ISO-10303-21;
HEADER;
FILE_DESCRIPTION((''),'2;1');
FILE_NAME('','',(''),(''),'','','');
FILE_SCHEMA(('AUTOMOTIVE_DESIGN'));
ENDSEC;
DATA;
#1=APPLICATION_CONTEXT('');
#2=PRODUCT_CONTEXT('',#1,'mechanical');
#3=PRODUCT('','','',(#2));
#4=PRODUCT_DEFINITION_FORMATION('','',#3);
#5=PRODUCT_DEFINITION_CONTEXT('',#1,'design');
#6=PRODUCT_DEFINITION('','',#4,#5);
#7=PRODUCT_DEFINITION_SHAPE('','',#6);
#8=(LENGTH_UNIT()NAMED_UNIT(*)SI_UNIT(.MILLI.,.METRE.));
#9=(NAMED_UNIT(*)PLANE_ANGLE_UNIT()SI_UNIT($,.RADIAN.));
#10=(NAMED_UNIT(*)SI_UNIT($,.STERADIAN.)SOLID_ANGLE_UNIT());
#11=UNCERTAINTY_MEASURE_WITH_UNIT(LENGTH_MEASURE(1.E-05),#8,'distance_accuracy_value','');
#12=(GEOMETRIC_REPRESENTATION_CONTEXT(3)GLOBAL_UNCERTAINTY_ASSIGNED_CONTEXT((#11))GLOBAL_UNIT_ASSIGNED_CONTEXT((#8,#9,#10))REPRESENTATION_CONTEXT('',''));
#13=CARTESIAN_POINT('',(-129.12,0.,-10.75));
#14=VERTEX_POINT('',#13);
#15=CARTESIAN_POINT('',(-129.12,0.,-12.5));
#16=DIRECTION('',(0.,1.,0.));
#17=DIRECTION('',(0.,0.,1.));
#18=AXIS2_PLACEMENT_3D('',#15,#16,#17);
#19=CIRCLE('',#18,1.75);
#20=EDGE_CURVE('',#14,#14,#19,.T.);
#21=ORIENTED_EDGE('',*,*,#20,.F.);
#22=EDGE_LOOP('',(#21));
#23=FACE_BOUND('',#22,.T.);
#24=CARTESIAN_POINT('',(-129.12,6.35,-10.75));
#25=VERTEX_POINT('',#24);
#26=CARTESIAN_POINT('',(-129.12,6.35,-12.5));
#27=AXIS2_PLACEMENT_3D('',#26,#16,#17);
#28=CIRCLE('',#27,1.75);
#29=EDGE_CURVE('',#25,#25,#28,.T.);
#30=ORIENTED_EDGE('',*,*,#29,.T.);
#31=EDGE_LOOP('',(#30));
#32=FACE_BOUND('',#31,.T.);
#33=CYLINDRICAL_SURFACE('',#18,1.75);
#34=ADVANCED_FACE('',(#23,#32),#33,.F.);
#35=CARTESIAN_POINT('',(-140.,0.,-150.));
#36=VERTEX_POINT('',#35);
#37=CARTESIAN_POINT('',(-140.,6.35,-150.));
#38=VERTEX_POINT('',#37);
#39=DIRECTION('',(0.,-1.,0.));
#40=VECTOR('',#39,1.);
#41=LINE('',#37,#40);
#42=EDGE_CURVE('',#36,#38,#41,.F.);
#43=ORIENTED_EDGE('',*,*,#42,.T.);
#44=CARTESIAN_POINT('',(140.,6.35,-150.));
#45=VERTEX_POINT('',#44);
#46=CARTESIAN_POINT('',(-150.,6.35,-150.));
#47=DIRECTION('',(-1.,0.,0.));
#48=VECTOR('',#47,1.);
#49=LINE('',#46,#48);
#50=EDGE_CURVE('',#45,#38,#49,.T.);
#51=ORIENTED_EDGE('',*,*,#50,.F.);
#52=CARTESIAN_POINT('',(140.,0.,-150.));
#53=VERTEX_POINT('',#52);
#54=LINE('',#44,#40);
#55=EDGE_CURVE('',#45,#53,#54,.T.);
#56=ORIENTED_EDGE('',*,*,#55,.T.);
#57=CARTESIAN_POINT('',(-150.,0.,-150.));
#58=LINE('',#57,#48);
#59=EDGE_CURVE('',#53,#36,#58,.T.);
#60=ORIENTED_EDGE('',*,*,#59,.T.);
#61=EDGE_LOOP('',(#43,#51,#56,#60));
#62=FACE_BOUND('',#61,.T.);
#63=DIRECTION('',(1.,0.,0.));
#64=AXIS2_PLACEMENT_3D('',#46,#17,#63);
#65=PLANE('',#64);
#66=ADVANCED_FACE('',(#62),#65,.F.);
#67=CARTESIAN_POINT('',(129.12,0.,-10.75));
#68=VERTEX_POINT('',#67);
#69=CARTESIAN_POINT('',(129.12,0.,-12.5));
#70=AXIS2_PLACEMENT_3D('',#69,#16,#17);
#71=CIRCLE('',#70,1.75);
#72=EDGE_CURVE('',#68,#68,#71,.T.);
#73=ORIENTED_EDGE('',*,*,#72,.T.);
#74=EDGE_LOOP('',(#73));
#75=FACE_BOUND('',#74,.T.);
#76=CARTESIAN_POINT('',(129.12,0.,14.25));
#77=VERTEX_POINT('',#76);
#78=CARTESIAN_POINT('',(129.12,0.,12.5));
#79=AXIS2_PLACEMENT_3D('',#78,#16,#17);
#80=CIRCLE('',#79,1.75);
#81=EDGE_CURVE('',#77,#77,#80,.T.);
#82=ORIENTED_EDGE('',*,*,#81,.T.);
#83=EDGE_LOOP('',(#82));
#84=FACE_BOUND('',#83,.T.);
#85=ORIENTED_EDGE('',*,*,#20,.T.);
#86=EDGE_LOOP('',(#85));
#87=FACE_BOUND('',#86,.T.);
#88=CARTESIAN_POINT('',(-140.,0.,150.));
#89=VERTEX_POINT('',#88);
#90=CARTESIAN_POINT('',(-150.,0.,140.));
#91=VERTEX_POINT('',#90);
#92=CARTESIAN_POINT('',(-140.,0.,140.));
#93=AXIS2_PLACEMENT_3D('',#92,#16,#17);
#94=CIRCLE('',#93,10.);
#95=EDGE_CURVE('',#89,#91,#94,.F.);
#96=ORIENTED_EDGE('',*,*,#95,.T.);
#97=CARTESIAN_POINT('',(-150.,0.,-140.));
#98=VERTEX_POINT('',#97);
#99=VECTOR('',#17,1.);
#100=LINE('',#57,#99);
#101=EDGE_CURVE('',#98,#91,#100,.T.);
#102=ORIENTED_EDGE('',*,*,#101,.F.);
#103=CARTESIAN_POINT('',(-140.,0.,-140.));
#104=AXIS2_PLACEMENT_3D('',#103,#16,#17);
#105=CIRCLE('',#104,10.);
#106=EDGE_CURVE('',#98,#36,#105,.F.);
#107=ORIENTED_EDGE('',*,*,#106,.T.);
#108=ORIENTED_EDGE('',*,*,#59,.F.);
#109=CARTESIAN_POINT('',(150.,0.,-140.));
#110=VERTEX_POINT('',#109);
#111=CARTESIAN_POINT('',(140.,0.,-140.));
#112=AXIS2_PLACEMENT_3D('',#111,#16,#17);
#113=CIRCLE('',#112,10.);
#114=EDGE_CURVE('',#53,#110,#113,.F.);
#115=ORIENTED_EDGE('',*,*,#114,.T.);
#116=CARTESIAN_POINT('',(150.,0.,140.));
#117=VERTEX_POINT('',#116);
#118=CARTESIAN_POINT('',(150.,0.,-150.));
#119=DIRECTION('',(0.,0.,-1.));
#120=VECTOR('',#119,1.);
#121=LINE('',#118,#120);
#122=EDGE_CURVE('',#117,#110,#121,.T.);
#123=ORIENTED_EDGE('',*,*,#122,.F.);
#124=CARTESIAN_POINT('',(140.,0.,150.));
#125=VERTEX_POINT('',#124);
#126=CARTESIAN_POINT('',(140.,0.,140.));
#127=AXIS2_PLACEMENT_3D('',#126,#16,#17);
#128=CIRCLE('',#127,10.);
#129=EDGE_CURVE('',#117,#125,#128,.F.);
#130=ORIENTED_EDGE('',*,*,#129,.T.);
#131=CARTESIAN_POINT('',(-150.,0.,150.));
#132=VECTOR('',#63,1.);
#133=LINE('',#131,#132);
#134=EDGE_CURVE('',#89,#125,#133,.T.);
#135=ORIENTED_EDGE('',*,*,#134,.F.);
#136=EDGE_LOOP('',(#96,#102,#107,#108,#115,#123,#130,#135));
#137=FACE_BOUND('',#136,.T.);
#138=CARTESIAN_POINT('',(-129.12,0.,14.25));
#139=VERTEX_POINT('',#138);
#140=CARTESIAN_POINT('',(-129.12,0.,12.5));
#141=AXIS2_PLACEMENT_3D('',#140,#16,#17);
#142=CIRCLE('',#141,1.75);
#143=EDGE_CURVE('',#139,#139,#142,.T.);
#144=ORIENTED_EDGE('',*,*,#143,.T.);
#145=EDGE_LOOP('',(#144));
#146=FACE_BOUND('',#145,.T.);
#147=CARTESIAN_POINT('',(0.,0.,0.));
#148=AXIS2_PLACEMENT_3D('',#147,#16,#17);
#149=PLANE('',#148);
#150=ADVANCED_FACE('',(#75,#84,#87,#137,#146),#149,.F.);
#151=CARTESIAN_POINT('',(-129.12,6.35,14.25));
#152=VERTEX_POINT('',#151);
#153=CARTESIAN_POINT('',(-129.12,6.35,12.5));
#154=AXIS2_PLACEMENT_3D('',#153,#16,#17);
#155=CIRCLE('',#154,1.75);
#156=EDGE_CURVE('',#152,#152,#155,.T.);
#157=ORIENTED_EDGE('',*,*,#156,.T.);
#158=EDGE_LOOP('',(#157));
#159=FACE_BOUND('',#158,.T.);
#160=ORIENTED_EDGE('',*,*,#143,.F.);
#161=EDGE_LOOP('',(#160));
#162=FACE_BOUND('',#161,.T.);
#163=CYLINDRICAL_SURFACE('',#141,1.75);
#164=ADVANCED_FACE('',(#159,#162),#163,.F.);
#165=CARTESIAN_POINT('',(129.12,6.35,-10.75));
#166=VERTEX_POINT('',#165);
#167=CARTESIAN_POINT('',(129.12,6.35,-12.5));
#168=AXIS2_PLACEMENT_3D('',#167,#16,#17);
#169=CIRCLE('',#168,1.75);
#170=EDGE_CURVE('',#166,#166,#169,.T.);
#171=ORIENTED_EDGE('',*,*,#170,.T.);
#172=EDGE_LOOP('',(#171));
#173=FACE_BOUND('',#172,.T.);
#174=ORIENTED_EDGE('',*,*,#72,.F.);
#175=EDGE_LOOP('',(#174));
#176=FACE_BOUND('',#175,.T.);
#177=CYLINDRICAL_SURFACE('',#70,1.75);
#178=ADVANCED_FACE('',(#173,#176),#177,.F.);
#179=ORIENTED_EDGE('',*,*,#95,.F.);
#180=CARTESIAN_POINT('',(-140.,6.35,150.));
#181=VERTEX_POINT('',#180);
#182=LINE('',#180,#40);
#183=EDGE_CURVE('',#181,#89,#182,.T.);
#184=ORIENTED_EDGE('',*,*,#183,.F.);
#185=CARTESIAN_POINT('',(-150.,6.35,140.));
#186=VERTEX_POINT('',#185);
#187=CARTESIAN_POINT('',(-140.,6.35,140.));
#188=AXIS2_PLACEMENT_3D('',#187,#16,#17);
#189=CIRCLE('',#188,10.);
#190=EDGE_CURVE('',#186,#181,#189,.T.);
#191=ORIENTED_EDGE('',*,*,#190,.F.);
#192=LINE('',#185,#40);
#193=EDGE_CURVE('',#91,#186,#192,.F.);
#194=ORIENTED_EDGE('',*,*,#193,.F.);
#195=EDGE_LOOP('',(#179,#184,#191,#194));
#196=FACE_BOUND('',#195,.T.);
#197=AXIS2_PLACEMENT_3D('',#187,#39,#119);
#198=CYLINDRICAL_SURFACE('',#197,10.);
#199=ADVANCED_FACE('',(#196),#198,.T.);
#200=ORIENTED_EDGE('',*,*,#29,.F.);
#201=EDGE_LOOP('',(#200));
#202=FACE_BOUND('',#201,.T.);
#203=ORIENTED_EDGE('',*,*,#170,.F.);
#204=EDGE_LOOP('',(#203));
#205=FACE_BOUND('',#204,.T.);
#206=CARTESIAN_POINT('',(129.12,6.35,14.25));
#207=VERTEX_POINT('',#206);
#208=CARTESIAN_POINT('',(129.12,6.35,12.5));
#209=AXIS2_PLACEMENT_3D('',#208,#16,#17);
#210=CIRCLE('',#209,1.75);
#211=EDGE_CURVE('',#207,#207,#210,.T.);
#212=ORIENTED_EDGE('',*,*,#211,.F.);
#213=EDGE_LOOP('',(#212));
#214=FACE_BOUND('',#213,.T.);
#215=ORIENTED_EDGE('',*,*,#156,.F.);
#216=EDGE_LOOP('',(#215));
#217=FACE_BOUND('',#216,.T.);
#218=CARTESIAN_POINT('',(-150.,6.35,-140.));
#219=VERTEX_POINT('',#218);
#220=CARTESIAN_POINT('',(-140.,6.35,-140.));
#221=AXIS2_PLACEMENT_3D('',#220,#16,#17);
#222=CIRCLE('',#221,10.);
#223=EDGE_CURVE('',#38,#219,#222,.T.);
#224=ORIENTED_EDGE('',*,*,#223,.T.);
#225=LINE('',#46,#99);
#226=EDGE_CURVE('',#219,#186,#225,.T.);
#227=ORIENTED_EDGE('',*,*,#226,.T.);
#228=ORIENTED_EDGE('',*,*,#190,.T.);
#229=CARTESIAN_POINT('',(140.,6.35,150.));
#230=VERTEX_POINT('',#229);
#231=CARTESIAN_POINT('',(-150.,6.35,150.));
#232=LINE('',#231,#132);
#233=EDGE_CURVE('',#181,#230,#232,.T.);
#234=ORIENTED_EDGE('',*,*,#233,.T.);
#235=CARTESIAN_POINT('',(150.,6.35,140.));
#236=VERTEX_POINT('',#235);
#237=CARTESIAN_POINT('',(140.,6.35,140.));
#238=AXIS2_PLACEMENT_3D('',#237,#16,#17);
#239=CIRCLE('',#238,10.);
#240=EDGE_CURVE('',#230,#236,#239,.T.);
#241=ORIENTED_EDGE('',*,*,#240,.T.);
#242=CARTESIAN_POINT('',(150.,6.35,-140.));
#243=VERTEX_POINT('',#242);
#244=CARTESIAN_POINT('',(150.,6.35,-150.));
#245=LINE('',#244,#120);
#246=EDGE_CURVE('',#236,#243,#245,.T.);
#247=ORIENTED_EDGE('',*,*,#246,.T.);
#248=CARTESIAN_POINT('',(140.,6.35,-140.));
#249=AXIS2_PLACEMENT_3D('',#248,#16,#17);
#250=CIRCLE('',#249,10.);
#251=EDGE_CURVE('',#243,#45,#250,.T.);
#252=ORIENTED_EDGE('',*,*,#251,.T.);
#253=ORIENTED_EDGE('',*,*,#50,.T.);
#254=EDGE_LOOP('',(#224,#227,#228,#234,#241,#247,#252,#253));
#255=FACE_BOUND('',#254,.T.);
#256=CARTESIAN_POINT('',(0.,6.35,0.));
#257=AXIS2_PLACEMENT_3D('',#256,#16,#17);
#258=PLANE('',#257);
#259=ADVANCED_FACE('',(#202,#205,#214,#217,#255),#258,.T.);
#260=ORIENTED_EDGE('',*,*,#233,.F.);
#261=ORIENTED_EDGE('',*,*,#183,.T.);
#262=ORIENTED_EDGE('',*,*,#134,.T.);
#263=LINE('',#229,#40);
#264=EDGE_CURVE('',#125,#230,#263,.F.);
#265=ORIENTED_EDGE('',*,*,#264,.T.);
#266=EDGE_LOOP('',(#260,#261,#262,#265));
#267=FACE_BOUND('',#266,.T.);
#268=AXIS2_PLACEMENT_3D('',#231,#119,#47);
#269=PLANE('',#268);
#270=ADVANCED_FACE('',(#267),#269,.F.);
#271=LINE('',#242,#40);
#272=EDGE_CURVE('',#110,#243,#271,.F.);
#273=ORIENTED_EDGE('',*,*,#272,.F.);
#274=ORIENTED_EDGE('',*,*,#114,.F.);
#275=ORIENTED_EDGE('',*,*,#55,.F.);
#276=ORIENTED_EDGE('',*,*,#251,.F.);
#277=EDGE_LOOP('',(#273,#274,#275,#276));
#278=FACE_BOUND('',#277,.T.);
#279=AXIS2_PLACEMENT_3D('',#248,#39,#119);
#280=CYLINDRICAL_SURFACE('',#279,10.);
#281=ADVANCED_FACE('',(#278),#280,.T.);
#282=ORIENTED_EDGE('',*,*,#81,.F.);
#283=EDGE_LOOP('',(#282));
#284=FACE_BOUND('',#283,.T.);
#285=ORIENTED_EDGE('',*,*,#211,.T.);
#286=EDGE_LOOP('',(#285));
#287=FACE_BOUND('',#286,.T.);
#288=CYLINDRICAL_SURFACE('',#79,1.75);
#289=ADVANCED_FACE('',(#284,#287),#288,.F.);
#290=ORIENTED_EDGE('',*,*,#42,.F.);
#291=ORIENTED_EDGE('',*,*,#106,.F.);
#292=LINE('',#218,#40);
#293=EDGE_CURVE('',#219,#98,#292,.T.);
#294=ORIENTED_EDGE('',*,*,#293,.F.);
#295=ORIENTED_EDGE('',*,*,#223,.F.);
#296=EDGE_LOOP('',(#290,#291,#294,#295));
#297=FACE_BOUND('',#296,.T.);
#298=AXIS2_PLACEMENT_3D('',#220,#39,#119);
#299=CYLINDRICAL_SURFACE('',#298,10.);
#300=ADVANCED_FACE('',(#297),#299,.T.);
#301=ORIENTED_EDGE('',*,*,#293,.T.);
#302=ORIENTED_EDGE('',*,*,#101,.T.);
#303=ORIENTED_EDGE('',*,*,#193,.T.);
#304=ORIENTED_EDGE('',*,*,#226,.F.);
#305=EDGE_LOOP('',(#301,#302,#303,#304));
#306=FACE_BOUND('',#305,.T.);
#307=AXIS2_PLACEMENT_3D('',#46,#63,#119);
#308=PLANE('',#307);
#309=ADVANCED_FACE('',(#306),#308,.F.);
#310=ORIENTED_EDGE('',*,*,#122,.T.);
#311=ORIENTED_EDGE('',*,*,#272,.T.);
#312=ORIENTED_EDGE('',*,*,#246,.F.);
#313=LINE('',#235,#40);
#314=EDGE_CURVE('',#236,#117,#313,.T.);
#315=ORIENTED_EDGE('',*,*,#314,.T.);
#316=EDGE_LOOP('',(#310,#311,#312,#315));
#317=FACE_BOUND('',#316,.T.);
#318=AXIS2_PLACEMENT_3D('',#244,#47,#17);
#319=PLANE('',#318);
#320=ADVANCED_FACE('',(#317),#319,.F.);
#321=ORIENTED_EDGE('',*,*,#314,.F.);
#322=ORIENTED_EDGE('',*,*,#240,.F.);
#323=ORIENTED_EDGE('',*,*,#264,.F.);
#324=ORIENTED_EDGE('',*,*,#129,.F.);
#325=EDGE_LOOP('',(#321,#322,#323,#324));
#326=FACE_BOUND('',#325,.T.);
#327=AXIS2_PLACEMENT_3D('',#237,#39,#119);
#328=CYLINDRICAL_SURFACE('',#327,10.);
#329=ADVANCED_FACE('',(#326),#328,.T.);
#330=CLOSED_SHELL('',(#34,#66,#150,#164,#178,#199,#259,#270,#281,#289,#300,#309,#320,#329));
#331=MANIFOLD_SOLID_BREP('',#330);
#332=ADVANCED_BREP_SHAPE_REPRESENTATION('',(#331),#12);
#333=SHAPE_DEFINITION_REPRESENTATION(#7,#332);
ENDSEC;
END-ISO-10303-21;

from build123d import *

# Parameters (mm, degrees)
SKETCH1_W           = 300
SKETCH1_H           = 300
BOSS_EXTRUDE1_DEPTH = 6.35
FILLET1_R           = 10
SKETCH2_R           = 1.75
CUT_EXTRUDE1_DEPTH  = 7.35


with BuildPart() as part:
    # Sketch1 → Boss-Extrude1 (new body)
    with BuildSketch(Plane(origin=(0, 0, 0), x_dir=(1, 0, 0), z_dir=(0, 1, 0))):
        Rectangle(SKETCH1_W, SKETCH1_H)
    extrude(amount=BOSS_EXTRUDE1_DEPTH)

    # Fillet1
    fillet1_edges = [part.edges().sort_by_distance(p)[0] for p in [
        (150, 3.175, 150),
        (-150, 3.175, 150),
        (-150, 3.175, -150),
        (150, 3.175, -150),
    ]]
    fillet(fillet1_edges, radius=FILLET1_R)

    # Sketch2 → Cut-Extrude1 (cut, through all)
    with BuildSketch(Plane(origin=(0, 6.35, 0), x_dir=(1, 0, 0), z_dir=(0, 1, 0))):
        with Locations((-129.12, 12.5)):
            Circle(SKETCH2_R)
        with Locations((-129.12, -12.5)):
            Circle(SKETCH2_R)
        with Locations((129.12, 12.5)):
            Circle(SKETCH2_R)
        with Locations((129.12, -12.5)):
            Circle(SKETCH2_R)
    extrude(amount=-CUT_EXTRUDE1_DEPTH, mode=Mode.SUBTRACT)


solid = part.part
